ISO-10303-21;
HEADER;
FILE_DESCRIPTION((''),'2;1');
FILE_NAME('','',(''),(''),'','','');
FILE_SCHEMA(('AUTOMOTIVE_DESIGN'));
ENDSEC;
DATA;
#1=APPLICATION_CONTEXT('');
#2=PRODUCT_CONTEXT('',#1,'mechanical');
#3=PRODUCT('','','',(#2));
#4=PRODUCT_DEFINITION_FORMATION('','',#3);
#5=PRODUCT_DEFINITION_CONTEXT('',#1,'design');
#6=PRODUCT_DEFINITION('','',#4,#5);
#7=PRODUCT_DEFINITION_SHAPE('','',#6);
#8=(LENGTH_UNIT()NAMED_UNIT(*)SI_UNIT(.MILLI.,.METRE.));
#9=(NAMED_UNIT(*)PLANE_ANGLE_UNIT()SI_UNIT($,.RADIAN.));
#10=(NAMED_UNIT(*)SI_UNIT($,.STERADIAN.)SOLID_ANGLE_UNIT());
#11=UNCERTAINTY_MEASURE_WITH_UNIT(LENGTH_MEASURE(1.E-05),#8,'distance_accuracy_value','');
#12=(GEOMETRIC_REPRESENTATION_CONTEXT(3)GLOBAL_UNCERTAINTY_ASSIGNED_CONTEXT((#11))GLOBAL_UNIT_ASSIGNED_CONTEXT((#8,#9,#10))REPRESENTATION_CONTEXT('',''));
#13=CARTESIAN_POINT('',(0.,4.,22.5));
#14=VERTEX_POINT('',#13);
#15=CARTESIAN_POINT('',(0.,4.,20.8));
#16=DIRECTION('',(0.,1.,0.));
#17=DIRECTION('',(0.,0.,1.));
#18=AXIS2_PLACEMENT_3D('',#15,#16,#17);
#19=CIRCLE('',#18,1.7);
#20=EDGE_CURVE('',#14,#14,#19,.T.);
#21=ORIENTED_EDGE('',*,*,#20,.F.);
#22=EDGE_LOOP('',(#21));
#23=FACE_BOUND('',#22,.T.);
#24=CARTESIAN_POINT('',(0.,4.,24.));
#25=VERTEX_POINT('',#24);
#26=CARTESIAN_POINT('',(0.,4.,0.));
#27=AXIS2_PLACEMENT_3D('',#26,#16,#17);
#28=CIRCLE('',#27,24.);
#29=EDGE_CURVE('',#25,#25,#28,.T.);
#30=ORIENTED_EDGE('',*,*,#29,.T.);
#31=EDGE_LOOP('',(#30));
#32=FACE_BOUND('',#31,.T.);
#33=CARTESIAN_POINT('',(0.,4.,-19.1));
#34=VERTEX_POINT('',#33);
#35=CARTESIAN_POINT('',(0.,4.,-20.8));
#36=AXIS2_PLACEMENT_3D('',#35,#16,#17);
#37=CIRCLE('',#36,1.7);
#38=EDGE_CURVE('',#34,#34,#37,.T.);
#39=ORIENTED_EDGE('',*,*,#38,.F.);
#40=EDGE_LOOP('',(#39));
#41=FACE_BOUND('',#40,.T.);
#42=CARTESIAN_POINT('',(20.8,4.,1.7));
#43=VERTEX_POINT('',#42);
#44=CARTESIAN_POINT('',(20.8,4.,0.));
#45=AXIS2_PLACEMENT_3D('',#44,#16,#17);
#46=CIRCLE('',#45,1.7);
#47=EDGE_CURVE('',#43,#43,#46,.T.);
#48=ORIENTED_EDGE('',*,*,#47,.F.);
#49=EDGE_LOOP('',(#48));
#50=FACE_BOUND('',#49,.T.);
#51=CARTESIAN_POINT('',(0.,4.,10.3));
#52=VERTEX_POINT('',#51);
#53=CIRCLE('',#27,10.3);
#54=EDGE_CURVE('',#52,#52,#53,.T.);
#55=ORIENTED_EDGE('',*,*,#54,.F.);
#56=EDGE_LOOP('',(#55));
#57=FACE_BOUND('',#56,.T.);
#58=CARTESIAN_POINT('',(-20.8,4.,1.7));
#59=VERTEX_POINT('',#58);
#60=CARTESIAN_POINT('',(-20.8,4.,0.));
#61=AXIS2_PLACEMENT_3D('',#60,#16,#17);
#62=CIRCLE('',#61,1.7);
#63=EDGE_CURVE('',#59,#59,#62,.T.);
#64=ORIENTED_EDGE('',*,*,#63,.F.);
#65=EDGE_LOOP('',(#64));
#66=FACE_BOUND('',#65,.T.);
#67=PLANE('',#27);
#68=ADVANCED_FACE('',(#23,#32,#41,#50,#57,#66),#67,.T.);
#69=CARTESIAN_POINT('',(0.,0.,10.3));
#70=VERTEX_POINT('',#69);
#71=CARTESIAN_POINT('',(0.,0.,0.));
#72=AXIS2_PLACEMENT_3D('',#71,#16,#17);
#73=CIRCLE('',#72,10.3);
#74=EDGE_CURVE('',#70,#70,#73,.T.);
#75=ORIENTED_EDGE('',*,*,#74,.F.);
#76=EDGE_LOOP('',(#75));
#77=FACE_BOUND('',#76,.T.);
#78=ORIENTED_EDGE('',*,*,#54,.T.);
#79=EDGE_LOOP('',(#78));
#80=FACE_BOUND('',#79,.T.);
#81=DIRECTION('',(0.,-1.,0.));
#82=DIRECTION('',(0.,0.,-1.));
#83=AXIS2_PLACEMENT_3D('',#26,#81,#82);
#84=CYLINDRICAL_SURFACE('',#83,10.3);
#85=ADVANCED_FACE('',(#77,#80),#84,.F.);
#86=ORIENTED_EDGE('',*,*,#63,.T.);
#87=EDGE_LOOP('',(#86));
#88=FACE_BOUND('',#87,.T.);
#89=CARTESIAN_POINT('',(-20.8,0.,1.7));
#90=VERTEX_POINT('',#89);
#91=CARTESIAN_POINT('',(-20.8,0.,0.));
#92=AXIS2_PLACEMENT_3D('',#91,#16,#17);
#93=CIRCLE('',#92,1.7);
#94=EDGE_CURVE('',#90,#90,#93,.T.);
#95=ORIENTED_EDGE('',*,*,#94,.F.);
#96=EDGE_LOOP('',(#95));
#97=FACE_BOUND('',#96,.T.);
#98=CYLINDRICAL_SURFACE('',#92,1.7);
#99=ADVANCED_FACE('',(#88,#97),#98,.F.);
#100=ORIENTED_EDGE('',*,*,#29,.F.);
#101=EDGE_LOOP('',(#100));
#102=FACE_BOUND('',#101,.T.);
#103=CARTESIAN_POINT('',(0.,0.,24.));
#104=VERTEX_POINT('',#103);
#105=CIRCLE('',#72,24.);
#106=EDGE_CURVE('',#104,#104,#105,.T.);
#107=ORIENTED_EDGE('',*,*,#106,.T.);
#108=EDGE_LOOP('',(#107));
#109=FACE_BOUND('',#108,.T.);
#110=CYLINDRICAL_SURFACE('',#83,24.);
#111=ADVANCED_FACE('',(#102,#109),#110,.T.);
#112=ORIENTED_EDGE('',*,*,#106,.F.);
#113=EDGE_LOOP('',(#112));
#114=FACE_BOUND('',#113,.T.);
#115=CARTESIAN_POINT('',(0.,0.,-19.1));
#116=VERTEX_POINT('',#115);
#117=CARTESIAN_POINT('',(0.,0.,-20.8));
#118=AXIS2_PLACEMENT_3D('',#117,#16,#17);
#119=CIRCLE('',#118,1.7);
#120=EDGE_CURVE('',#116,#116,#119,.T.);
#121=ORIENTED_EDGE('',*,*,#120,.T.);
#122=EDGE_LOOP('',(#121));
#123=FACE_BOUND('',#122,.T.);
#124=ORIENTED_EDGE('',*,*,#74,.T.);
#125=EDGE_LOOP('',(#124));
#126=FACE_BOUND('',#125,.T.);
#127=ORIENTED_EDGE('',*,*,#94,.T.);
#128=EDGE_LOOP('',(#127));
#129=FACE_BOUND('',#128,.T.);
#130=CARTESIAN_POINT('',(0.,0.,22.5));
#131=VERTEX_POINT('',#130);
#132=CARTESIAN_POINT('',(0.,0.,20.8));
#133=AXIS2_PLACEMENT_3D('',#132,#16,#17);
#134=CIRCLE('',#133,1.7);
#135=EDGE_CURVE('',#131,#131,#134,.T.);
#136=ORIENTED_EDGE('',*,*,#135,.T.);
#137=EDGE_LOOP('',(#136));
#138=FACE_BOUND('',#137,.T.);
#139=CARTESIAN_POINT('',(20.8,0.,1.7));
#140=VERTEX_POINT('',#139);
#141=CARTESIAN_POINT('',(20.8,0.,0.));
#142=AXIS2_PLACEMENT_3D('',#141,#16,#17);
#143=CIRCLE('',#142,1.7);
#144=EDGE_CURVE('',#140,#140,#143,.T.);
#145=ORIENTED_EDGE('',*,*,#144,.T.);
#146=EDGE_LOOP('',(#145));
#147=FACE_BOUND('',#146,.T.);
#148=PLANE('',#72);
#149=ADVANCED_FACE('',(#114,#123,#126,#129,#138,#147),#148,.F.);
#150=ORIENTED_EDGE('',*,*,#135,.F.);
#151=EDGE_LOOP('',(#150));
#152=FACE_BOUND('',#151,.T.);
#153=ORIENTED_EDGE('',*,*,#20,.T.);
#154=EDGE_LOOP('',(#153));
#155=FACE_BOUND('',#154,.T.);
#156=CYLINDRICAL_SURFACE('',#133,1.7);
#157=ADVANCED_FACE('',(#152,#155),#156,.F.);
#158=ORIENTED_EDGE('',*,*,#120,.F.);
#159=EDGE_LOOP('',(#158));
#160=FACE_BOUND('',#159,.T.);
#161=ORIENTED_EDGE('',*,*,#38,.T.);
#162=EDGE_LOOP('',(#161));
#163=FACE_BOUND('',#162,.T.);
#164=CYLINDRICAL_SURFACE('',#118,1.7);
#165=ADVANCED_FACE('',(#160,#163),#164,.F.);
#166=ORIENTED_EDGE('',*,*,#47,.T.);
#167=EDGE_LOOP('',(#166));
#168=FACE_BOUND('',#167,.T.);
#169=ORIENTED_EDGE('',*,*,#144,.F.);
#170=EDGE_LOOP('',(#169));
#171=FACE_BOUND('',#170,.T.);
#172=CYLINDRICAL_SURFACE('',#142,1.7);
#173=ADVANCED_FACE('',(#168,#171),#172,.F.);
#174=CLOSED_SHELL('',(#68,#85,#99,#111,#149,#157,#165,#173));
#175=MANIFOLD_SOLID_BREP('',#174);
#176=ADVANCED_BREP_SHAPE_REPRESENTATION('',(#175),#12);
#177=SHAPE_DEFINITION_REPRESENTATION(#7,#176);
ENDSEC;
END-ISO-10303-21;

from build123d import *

# Parameters (mm, degrees)
SKETCH1_R           = 24
SKETCH1_R_2         = 10.3
BOSS_EXTRUDE1_DEPTH = 4
SKETCH3_R           = 1.7
CUT_EXTRUDE1_DEPTH  = 35.176014981


with BuildPart() as part:
    # Sketch1 → Boss-Extrude1 (new body)
    with BuildSketch(Plane(origin=(0, 0, 0), x_dir=(1, 0, 0), z_dir=(0, 1, 0))):
        with Locations(Location((0, 0, 0), (0, 0, 270))):
            Circle(SKETCH1_R)
        with Locations(Location((0, 0, 0), (0, 0, 270))):
            Circle(SKETCH1_R_2, mode=Mode.SUBTRACT)
    extrude(amount=BOSS_EXTRUDE1_DEPTH)

    # Sketch3 → Cut-Extrude1 (cut, through all)
    with BuildSketch(Plane(origin=(0, 4, 0), x_dir=(1, 0, 0), z_dir=(0, 1, 0))):
        with Locations(Location((-20.8, 0, 0), (0, 0, 270))):
            Circle(SKETCH3_R)
        with Locations(Location((0, 20.8, 0), (0, 0, 270))):
            Circle(SKETCH3_R)
        with Locations(Location((20.8, 0, 0), (0, 0, 270))):
            Circle(SKETCH3_R)
        with Locations(Location((0, -20.8, 0), (0, 0, 270))):
            Circle(SKETCH3_R)
    extrude(amount=-CUT_EXTRUDE1_DEPTH, mode=Mode.SUBTRACT)


solid = part.part
